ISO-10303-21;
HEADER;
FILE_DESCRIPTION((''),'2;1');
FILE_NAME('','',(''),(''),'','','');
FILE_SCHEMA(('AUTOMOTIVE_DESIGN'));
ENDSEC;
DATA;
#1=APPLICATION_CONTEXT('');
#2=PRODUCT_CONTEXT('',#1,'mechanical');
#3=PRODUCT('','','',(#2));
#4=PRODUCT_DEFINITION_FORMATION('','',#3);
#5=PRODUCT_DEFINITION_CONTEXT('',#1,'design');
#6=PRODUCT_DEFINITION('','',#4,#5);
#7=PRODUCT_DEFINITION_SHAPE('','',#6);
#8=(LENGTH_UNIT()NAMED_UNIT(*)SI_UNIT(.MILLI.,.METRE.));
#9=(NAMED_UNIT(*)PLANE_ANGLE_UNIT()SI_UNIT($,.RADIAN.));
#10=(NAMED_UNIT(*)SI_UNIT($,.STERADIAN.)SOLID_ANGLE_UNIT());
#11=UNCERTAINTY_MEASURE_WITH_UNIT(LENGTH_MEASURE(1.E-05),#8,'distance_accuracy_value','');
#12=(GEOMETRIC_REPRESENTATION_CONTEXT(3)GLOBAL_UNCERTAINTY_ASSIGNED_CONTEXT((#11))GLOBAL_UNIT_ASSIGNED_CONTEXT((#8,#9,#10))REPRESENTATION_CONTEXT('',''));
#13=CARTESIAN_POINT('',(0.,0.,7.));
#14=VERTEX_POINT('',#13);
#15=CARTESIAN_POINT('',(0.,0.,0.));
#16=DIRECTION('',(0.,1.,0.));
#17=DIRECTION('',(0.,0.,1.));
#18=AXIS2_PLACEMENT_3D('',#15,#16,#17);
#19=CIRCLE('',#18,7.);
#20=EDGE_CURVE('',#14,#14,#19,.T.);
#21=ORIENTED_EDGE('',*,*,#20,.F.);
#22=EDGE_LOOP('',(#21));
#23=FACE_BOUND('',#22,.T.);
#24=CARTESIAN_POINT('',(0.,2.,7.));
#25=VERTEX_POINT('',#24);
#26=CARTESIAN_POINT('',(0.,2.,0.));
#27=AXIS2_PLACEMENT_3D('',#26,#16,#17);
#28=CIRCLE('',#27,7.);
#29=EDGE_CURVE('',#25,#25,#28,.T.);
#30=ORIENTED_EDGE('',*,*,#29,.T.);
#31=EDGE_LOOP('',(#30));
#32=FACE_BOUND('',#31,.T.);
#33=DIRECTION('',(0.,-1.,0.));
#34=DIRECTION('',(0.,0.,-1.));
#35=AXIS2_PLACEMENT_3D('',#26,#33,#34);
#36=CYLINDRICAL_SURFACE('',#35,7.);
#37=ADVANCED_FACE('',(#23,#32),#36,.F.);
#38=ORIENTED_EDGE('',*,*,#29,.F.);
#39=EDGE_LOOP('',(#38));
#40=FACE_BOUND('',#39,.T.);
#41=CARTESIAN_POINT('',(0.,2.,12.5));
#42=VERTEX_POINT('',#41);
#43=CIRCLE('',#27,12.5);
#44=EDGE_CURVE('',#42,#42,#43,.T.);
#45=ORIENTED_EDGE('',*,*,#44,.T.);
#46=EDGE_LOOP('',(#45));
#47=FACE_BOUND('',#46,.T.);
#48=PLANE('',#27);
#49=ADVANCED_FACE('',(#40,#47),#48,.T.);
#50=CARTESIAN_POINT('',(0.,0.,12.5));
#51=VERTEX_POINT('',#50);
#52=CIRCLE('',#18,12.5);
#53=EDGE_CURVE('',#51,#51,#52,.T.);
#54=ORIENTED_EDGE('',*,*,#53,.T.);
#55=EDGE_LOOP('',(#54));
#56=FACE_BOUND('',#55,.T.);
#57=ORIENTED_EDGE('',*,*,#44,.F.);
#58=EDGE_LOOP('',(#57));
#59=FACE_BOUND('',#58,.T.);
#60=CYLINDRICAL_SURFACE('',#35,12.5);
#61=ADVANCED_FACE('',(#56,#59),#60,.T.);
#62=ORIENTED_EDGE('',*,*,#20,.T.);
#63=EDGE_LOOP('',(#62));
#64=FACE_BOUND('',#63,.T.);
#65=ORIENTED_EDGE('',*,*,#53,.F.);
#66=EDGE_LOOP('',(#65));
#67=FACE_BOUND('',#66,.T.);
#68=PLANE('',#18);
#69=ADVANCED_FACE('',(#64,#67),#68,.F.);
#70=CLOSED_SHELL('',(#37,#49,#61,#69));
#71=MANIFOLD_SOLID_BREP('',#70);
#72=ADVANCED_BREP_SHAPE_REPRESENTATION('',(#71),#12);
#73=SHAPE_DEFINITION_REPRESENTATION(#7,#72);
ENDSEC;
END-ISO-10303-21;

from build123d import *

# Parameters (mm, degrees)
SKETCH1_R           = 12.5
SKETCH1_R_2         = 7
BOSS_EXTRUDE1_DEPTH = 2


with BuildPart() as part:
    # Sketch1 → Boss-Extrude1 (new body)
    with BuildSketch(Plane(origin=(0, 0, 0), x_dir=(1, 0, 0), z_dir=(0, 1, 0))):
        Circle(SKETCH1_R)
        Circle(SKETCH1_R_2, mode=Mode.SUBTRACT)
    extrude(amount=BOSS_EXTRUDE1_DEPTH)


solid = part.part
